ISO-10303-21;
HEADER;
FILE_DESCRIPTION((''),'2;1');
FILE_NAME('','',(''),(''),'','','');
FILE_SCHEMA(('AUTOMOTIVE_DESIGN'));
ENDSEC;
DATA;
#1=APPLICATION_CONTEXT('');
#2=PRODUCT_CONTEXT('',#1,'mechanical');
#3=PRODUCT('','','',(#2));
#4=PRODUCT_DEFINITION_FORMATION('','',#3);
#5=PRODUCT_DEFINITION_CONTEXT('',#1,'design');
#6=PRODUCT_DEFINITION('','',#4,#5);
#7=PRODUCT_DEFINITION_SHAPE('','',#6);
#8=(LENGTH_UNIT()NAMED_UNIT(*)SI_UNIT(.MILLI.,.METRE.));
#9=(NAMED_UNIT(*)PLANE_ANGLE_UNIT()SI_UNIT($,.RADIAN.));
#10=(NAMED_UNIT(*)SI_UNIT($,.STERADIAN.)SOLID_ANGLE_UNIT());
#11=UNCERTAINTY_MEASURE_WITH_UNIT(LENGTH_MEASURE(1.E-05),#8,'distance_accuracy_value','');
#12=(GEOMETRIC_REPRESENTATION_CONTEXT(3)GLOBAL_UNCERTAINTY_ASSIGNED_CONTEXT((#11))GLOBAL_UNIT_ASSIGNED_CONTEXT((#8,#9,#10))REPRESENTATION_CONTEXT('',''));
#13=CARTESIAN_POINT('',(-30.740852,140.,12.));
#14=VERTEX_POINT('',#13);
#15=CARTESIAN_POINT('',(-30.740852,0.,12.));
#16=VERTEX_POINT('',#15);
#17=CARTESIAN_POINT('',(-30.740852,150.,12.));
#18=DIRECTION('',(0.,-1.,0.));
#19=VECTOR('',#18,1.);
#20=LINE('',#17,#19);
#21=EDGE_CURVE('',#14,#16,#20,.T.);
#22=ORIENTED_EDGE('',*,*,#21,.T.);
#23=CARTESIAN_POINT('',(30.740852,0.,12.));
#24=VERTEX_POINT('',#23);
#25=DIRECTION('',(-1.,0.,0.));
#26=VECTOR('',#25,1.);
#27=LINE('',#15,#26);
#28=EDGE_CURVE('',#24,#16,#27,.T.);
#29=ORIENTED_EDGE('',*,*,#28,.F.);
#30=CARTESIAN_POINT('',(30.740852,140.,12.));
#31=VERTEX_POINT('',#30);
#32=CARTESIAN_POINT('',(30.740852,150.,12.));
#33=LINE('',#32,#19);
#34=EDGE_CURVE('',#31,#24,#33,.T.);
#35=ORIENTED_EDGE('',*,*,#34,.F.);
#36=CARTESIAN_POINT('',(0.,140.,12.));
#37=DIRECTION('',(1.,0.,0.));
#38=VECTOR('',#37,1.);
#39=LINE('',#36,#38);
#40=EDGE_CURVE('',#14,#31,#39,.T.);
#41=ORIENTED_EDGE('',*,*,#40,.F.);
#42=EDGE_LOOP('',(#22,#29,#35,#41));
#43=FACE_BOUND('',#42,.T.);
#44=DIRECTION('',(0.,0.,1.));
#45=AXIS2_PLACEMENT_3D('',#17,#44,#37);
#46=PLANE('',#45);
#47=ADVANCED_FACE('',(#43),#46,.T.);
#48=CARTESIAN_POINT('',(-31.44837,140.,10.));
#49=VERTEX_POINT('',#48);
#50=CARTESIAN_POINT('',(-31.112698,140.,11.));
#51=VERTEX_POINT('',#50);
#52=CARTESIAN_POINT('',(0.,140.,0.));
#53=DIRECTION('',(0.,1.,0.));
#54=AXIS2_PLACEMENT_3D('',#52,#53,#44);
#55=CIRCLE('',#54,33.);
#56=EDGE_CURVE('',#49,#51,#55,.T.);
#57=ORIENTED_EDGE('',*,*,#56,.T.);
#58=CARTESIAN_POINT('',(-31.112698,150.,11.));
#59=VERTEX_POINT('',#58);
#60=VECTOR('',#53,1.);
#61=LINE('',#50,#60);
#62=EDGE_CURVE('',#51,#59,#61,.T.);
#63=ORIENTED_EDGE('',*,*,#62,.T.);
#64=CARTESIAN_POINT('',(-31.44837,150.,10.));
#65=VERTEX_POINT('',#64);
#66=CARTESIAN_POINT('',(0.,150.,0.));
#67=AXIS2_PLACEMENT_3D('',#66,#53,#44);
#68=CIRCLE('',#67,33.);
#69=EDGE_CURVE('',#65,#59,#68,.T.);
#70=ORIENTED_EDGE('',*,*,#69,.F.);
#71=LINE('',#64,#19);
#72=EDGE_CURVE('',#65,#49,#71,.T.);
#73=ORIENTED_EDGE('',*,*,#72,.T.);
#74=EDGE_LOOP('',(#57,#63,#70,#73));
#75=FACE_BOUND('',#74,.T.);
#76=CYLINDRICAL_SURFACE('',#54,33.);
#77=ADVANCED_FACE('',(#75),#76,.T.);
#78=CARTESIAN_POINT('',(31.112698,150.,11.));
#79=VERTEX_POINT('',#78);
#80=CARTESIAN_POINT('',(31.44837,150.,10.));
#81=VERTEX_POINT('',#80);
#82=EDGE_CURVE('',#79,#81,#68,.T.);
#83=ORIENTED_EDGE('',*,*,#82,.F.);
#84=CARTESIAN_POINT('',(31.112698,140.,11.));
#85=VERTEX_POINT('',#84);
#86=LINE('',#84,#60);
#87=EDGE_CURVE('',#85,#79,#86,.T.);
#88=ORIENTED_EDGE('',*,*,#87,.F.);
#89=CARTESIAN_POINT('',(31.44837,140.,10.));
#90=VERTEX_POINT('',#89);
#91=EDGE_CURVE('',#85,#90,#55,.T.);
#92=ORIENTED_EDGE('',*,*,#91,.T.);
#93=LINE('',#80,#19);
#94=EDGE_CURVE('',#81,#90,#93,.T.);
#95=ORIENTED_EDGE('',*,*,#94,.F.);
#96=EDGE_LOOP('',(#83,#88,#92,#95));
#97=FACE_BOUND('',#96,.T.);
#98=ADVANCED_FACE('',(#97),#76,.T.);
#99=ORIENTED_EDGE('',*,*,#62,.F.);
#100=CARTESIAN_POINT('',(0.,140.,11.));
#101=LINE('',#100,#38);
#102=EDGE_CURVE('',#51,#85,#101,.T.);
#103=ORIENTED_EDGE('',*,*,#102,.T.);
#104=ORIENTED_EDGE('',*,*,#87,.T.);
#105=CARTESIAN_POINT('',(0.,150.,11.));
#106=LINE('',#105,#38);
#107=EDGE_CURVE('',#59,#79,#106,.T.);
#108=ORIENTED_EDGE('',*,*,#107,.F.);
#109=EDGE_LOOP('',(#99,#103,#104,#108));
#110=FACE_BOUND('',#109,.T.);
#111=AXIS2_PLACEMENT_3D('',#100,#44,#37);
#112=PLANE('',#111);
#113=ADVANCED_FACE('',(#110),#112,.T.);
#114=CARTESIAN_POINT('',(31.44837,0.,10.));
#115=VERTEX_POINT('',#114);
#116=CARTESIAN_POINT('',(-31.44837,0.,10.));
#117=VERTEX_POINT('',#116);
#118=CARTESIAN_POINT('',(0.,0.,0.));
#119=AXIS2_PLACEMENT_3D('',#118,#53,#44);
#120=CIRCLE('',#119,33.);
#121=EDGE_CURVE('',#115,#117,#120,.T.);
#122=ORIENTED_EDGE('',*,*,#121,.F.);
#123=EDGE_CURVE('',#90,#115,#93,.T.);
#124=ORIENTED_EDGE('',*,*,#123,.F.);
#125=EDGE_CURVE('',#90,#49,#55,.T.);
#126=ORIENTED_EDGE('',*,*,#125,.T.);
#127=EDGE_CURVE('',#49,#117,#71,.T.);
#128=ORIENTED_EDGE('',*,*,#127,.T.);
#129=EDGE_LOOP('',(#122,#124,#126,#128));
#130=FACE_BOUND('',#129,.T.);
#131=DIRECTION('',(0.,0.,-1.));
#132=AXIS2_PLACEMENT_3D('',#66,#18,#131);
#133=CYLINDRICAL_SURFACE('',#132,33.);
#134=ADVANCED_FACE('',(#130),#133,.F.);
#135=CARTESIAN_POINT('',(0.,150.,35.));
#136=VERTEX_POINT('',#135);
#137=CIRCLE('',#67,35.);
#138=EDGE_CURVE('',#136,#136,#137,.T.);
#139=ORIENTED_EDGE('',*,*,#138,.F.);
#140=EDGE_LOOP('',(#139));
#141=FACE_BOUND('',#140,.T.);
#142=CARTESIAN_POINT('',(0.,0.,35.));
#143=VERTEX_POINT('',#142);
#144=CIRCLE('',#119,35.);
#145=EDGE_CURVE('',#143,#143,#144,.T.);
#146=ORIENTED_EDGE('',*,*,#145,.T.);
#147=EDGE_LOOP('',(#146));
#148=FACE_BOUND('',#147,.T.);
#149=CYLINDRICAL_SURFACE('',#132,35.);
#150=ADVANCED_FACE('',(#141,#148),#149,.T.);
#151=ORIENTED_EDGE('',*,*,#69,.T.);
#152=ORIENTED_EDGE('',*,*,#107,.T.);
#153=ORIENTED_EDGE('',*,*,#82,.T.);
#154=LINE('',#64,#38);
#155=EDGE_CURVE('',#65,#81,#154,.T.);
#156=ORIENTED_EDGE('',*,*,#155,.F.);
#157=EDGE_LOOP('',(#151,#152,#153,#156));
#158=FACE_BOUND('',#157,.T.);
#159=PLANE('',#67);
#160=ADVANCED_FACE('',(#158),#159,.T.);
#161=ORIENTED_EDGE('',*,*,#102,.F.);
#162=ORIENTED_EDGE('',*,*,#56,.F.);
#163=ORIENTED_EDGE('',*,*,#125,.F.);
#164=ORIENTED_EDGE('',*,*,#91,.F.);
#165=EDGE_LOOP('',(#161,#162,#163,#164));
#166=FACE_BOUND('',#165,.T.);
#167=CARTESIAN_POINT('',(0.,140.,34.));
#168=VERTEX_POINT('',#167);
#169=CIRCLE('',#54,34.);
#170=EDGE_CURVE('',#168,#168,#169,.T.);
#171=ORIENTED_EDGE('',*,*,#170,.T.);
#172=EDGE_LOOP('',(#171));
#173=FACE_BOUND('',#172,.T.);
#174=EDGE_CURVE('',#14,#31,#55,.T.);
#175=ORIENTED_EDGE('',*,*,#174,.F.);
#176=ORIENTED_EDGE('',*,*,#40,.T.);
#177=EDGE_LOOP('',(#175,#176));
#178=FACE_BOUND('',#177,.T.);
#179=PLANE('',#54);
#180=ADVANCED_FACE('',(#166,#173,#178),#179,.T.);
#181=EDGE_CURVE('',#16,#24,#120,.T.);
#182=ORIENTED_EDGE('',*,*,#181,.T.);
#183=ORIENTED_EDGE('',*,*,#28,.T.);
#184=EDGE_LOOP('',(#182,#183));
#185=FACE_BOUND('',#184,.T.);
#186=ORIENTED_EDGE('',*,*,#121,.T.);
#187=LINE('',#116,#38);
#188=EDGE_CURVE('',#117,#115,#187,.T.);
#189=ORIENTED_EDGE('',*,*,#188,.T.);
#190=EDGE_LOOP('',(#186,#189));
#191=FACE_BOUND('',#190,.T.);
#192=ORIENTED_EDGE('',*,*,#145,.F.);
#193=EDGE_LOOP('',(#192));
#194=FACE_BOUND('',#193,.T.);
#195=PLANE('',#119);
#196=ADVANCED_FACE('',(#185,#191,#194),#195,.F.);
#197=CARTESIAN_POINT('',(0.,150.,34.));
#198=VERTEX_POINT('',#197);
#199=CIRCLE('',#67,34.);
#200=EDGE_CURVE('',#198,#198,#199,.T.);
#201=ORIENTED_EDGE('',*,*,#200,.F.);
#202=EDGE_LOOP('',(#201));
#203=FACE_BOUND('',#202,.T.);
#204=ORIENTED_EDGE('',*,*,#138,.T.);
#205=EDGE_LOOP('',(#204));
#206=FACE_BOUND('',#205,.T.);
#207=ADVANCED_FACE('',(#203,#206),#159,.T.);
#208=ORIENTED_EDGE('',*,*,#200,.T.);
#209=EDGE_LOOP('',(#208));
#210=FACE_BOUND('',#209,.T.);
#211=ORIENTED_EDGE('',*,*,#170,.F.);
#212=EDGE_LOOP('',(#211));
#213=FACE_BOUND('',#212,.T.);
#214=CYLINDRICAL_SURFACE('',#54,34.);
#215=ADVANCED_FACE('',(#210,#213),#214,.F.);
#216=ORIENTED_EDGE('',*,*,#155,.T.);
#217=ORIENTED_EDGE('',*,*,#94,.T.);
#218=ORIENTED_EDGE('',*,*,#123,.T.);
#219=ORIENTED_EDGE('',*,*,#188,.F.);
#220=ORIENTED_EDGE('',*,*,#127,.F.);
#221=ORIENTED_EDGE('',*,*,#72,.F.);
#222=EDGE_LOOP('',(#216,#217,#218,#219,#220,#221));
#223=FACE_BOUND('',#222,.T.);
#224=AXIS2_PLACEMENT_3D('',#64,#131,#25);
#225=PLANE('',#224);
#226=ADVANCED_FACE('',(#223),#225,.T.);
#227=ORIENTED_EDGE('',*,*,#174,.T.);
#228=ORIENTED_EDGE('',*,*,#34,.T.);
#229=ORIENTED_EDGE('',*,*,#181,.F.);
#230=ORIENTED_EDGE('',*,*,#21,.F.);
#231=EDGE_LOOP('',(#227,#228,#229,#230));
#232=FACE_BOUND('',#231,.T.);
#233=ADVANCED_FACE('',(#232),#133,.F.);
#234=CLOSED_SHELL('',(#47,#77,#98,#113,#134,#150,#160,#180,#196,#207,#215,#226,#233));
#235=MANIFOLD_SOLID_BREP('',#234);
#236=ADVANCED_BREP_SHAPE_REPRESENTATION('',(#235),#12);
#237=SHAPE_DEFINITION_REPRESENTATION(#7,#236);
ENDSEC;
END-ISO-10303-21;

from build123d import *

# Parameters (mm, degrees)
SKETCH1_R           = 35
BOSS_EXTRUDE1_DEPTH = 150
CUT_EXTRUDE1_START  = -10
SKETCH3_R           = 34
CUT_EXTRUDE1_DEPTH  = 10


with BuildPart() as part:
    # Sketch1 → Boss-Extrude1 (new body)
    with BuildSketch(Plane(origin=(0, 0, 0), x_dir=(1, 0, 0), z_dir=(0, 1, 0))):
        with Locations(Location((0, 0, 0), (0, 0, 270))):
            Circle(SKETCH1_R)
        with BuildLine():
            Line((-31.448370387, -10), (31.448370387, -10))
            ThreePointArc((31.448370387, -10), (0, 33), (-31.448370387, -10))
        make_face(mode=Mode.SUBTRACT)
        with BuildLine():
            Line((-30.740852298, -12), (30.740852298, -12))
            ThreePointArc((30.740852298, -12), (0, -33), (-30.740852298, -12))
        make_face(mode=Mode.SUBTRACT)
    extrude(amount=BOSS_EXTRUDE1_DEPTH)

    # Sketch3 → Cut-Extrude1 (cut)
    with BuildSketch(Plane(origin=(0, 150, 0), x_dir=(1, 0, 0), z_dir=(0, 1, 0)).offset(CUT_EXTRUDE1_START)):
        with Locations(Location((0, 0, 0), (0, 0, 270))):
            Circle(SKETCH3_R)
        with BuildLine():
            Line((31.112698372, -11), (-31.112698372, -11))
            ThreePointArc((-31.112698372, -11), (0, 33), (31.112698372, -11))
        make_face(mode=Mode.SUBTRACT)
        with BuildLine():
            Line((-30.740852298, -12), (30.740852298, -12))
            ThreePointArc((30.740852298, -12), (0, -33), (-30.740852298, -12))
        make_face(mode=Mode.SUBTRACT)
    extrude(amount=CUT_EXTRUDE1_DEPTH, mode=Mode.SUBTRACT)


solid = part.part
